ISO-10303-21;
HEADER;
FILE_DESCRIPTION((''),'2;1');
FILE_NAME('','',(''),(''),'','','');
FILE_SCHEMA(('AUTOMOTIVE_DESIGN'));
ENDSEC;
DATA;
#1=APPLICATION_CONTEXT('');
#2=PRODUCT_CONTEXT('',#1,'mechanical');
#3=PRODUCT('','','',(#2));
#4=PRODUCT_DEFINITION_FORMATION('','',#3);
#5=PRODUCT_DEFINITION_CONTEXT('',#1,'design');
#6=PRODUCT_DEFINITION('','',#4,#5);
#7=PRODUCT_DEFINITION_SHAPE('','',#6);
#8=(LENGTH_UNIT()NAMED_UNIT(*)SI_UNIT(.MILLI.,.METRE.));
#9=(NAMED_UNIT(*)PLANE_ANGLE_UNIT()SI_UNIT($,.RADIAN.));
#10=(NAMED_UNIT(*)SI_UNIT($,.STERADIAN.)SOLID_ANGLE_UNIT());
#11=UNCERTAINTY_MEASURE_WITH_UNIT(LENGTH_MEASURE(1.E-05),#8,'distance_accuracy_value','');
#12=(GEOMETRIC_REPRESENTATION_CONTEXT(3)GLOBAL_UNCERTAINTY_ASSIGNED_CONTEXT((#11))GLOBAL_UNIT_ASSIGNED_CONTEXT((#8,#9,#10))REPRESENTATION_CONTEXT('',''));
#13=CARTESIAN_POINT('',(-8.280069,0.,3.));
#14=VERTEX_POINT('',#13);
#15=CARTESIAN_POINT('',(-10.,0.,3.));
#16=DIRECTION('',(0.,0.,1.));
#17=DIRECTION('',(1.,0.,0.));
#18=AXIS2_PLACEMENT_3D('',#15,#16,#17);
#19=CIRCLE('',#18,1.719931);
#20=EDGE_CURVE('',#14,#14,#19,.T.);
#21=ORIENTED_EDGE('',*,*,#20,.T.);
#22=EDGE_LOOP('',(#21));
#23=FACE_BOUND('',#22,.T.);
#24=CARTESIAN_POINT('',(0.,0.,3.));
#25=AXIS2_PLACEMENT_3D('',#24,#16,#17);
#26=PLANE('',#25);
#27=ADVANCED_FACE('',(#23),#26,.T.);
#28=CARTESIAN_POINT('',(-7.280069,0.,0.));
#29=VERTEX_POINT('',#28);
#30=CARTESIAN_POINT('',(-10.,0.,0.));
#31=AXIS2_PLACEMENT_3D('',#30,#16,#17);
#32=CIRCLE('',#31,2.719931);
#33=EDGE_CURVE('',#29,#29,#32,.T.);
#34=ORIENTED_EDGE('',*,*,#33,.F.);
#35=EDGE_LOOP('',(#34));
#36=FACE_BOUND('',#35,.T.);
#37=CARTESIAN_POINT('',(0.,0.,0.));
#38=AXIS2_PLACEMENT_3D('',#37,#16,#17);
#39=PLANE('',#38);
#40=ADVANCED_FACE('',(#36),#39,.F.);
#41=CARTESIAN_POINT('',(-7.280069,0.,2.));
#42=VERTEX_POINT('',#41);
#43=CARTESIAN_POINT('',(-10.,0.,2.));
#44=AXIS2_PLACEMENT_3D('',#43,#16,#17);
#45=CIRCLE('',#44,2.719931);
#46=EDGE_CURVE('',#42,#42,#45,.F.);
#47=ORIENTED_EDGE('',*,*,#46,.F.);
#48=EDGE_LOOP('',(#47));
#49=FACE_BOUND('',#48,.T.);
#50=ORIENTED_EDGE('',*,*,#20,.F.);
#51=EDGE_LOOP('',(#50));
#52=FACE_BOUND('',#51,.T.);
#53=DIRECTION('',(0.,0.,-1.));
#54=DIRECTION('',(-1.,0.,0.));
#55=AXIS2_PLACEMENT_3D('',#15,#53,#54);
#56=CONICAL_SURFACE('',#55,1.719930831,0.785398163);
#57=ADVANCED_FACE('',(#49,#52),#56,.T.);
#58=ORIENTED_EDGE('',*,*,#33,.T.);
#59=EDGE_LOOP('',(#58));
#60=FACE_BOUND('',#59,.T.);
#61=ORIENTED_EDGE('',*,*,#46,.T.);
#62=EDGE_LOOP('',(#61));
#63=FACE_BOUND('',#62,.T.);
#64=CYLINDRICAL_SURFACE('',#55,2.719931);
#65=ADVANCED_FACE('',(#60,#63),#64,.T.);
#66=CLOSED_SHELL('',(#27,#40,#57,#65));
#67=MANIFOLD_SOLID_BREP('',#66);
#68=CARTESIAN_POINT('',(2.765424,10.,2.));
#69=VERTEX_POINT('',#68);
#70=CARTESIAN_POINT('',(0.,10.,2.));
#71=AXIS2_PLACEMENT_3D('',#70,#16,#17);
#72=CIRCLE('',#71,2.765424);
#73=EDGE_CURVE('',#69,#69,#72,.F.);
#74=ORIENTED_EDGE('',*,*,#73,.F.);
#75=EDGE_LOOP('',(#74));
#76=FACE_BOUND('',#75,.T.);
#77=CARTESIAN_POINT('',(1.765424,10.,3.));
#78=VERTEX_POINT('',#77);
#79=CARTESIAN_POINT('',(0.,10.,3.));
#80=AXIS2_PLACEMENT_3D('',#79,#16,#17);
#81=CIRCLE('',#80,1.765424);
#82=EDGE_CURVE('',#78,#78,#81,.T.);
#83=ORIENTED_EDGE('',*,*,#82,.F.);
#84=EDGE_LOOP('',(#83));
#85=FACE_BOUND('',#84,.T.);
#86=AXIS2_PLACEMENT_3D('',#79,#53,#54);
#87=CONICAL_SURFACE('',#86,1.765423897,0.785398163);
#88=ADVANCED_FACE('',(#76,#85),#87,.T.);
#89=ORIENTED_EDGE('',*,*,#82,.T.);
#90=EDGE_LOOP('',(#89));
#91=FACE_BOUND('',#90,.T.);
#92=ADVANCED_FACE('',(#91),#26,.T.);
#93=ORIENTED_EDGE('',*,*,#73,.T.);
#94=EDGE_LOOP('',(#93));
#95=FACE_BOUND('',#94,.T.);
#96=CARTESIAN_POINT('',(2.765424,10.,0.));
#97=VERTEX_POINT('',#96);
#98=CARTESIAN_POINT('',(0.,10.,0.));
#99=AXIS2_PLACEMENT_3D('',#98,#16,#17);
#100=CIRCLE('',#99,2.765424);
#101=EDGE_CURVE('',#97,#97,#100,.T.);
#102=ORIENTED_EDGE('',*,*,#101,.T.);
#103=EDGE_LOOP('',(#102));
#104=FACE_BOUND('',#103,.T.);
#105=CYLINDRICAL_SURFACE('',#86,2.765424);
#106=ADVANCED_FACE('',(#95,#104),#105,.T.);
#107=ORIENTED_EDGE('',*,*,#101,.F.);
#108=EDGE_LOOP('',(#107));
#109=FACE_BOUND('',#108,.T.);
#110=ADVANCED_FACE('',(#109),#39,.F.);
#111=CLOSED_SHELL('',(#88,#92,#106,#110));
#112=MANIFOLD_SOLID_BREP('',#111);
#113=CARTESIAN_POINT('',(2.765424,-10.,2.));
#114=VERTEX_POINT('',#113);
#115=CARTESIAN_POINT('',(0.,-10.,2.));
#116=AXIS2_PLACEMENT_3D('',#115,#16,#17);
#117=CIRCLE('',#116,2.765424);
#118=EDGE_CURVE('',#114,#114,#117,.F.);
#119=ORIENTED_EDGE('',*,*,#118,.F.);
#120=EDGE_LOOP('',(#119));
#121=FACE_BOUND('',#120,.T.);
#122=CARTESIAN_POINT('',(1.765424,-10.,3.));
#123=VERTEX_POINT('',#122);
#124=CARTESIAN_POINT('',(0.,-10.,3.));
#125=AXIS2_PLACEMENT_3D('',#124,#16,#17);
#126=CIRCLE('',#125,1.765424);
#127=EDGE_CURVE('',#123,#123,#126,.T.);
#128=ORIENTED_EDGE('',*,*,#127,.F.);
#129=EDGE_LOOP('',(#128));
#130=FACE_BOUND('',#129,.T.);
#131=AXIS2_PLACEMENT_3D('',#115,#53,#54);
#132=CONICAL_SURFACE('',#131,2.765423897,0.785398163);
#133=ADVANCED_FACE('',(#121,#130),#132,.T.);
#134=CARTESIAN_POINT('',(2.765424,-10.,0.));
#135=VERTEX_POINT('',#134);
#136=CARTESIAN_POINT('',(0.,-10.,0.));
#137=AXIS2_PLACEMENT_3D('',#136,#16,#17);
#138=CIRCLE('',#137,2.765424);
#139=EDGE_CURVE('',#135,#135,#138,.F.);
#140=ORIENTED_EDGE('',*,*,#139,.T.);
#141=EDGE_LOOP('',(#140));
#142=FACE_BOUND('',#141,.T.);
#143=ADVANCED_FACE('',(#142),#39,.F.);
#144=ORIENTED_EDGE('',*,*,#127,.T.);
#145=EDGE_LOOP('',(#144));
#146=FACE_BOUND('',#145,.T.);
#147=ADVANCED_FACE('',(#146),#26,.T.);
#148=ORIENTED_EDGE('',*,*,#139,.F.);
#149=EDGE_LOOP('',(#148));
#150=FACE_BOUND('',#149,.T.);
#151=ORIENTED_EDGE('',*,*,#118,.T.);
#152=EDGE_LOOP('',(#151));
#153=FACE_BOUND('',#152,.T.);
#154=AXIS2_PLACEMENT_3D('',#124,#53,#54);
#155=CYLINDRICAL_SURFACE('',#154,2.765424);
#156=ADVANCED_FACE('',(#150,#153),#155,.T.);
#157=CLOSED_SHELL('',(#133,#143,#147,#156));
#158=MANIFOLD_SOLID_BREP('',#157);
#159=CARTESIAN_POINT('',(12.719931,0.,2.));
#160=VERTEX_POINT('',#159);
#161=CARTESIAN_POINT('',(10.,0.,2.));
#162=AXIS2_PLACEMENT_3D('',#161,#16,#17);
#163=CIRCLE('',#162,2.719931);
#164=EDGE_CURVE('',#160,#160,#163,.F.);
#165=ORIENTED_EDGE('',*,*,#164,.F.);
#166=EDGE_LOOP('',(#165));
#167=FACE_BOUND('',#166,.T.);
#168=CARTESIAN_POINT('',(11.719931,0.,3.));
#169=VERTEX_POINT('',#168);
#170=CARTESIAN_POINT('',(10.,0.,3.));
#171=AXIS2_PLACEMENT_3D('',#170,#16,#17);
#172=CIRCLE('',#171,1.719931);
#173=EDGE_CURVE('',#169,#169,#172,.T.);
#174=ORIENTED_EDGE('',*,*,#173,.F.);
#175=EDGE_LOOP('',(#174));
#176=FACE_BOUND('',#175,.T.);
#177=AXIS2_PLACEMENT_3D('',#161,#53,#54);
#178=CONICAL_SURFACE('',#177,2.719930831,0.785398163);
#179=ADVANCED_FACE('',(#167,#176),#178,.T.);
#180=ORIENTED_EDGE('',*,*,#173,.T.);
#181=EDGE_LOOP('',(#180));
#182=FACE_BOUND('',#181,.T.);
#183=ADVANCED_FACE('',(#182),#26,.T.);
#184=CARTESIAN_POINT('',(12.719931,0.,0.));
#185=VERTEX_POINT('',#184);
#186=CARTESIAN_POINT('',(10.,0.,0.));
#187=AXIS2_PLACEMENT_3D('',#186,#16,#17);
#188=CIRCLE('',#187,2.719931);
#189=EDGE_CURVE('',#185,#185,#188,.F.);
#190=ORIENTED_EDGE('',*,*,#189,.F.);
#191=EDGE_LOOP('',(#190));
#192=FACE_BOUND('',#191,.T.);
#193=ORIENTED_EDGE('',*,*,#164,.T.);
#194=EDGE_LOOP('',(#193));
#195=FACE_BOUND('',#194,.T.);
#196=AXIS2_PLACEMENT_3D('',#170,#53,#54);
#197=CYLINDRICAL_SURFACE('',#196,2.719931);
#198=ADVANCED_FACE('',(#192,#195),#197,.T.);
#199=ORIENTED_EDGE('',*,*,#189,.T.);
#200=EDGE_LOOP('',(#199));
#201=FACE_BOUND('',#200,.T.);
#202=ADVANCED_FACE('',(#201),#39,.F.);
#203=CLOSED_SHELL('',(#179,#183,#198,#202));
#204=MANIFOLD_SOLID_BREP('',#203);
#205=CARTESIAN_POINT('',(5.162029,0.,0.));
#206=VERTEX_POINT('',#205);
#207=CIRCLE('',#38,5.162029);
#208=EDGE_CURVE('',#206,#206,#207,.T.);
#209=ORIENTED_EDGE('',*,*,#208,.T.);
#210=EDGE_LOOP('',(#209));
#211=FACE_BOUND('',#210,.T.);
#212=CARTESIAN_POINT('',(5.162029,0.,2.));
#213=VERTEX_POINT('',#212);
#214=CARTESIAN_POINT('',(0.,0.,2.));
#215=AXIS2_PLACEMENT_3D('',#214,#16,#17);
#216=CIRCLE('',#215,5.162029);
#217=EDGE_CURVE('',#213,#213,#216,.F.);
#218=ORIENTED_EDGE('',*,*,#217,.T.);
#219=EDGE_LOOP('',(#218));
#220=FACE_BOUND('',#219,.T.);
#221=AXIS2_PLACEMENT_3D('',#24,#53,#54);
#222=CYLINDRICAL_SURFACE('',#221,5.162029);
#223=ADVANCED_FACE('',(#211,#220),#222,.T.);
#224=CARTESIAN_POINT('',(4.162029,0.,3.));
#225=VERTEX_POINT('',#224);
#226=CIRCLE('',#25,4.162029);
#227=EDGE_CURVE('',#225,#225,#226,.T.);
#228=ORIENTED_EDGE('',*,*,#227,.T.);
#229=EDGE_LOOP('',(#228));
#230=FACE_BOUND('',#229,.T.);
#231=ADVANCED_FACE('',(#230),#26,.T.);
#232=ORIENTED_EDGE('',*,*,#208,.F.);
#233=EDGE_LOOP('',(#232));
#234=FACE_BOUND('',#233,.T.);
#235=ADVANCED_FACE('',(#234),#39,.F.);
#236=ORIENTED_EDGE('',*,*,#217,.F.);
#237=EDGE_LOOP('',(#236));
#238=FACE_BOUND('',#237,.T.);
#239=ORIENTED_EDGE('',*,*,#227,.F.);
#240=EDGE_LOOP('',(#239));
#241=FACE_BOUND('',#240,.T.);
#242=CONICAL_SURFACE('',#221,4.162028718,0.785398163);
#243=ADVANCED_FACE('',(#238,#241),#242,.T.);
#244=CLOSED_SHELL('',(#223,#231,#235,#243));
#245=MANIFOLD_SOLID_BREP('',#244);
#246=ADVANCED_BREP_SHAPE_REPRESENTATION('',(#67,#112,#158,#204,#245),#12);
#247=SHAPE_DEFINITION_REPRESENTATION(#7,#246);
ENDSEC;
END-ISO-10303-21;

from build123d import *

# Parameters (mm, degrees)
SKETCH1_R             = 5.162028718
BOSS_EXTRUDE1_DEPTH   = 3
SKETCH1_R_2           = 2.765423897
BOSS_EXTRUDE1_2_DEPTH = 3
BOSS_EXTRUDE1_3_DEPTH = 3
SKETCH1_R_3           = 2.719930831
BOSS_EXTRUDE1_4_DEPTH = 3
BOSS_EXTRUDE1_5_DEPTH = 3
CHAMFER2_SIZE         = 1
CHAMFER3_SIZE         = 1
CHAMFER4_SIZE         = 1
CHAMFER5_SIZE         = 1
CHAMFER6_SIZE         = 1


with BuildPart() as part:
    # Sketch1 → Boss-Extrude1 (new body)
    with BuildSketch(Plane.XY):
        Circle(SKETCH1_R)
    extrude(amount=BOSS_EXTRUDE1_DEPTH)

    # Chamfer6
    chamfer6_edges = [part.edges().sort_by_distance(p)[0] for p in [
        (-5.162028718, 0, 3),
    ]]
    chamfer(chamfer6_edges, length=CHAMFER6_SIZE)


with BuildPart() as body_2:
    # Sketch1 → Boss-Extrude1 2 (new body)
    with BuildSketch(Plane.XY):
        with Locations((0, 10)):
            Circle(SKETCH1_R_2)
    extrude(amount=BOSS_EXTRUDE1_2_DEPTH)

    # Chamfer2
    chamfer2_edges = [body_2.edges().sort_by_distance(p)[0] for p in [
        (-2.765423897, 10, 3),
    ]]
    chamfer(chamfer2_edges, length=CHAMFER2_SIZE)


with BuildPart() as body_3:
    # Sketch1 → Boss-Extrude1 3 (new body)
    with BuildSketch(Plane.XY):
        with Locations((0, -10)):
            Circle(SKETCH1_R_2)
    extrude(amount=BOSS_EXTRUDE1_3_DEPTH)

    # Chamfer5
    chamfer5_edges = [body_3.edges().sort_by_distance(p)[0] for p in [
        (-2.765423897, -10, 3),
    ]]
    chamfer(chamfer5_edges, length=CHAMFER5_SIZE)


with BuildPart() as body_4:
    # Sketch1 → Boss-Extrude1 4 (new body)
    with BuildSketch(Plane.XY):
        with Locations((-10, 0)):
            Circle(SKETCH1_R_3)
    extrude(amount=BOSS_EXTRUDE1_4_DEPTH)

    # Chamfer4
    chamfer4_edges = [body_4.edges().sort_by_distance(p)[0] for p in [
        (-12.719930831, 0, 3),
    ]]
    chamfer(chamfer4_edges, length=CHAMFER4_SIZE)


with BuildPart() as body_5:
    # Sketch1 → Boss-Extrude1 5 (new body)
    with BuildSketch(Plane.XY):
        with Locations((10, 0)):
            Circle(SKETCH1_R_3)
    extrude(amount=BOSS_EXTRUDE1_5_DEPTH)

    # Chamfer3
    chamfer3_edges = [body_5.edges().sort_by_distance(p)[0] for p in [
        (7.280069169, 0, 3),
    ]]
    chamfer(chamfer3_edges, length=CHAMFER3_SIZE)


solid = Compound([part.part, body_2.part, body_3.part, body_4.part, body_5.part])
